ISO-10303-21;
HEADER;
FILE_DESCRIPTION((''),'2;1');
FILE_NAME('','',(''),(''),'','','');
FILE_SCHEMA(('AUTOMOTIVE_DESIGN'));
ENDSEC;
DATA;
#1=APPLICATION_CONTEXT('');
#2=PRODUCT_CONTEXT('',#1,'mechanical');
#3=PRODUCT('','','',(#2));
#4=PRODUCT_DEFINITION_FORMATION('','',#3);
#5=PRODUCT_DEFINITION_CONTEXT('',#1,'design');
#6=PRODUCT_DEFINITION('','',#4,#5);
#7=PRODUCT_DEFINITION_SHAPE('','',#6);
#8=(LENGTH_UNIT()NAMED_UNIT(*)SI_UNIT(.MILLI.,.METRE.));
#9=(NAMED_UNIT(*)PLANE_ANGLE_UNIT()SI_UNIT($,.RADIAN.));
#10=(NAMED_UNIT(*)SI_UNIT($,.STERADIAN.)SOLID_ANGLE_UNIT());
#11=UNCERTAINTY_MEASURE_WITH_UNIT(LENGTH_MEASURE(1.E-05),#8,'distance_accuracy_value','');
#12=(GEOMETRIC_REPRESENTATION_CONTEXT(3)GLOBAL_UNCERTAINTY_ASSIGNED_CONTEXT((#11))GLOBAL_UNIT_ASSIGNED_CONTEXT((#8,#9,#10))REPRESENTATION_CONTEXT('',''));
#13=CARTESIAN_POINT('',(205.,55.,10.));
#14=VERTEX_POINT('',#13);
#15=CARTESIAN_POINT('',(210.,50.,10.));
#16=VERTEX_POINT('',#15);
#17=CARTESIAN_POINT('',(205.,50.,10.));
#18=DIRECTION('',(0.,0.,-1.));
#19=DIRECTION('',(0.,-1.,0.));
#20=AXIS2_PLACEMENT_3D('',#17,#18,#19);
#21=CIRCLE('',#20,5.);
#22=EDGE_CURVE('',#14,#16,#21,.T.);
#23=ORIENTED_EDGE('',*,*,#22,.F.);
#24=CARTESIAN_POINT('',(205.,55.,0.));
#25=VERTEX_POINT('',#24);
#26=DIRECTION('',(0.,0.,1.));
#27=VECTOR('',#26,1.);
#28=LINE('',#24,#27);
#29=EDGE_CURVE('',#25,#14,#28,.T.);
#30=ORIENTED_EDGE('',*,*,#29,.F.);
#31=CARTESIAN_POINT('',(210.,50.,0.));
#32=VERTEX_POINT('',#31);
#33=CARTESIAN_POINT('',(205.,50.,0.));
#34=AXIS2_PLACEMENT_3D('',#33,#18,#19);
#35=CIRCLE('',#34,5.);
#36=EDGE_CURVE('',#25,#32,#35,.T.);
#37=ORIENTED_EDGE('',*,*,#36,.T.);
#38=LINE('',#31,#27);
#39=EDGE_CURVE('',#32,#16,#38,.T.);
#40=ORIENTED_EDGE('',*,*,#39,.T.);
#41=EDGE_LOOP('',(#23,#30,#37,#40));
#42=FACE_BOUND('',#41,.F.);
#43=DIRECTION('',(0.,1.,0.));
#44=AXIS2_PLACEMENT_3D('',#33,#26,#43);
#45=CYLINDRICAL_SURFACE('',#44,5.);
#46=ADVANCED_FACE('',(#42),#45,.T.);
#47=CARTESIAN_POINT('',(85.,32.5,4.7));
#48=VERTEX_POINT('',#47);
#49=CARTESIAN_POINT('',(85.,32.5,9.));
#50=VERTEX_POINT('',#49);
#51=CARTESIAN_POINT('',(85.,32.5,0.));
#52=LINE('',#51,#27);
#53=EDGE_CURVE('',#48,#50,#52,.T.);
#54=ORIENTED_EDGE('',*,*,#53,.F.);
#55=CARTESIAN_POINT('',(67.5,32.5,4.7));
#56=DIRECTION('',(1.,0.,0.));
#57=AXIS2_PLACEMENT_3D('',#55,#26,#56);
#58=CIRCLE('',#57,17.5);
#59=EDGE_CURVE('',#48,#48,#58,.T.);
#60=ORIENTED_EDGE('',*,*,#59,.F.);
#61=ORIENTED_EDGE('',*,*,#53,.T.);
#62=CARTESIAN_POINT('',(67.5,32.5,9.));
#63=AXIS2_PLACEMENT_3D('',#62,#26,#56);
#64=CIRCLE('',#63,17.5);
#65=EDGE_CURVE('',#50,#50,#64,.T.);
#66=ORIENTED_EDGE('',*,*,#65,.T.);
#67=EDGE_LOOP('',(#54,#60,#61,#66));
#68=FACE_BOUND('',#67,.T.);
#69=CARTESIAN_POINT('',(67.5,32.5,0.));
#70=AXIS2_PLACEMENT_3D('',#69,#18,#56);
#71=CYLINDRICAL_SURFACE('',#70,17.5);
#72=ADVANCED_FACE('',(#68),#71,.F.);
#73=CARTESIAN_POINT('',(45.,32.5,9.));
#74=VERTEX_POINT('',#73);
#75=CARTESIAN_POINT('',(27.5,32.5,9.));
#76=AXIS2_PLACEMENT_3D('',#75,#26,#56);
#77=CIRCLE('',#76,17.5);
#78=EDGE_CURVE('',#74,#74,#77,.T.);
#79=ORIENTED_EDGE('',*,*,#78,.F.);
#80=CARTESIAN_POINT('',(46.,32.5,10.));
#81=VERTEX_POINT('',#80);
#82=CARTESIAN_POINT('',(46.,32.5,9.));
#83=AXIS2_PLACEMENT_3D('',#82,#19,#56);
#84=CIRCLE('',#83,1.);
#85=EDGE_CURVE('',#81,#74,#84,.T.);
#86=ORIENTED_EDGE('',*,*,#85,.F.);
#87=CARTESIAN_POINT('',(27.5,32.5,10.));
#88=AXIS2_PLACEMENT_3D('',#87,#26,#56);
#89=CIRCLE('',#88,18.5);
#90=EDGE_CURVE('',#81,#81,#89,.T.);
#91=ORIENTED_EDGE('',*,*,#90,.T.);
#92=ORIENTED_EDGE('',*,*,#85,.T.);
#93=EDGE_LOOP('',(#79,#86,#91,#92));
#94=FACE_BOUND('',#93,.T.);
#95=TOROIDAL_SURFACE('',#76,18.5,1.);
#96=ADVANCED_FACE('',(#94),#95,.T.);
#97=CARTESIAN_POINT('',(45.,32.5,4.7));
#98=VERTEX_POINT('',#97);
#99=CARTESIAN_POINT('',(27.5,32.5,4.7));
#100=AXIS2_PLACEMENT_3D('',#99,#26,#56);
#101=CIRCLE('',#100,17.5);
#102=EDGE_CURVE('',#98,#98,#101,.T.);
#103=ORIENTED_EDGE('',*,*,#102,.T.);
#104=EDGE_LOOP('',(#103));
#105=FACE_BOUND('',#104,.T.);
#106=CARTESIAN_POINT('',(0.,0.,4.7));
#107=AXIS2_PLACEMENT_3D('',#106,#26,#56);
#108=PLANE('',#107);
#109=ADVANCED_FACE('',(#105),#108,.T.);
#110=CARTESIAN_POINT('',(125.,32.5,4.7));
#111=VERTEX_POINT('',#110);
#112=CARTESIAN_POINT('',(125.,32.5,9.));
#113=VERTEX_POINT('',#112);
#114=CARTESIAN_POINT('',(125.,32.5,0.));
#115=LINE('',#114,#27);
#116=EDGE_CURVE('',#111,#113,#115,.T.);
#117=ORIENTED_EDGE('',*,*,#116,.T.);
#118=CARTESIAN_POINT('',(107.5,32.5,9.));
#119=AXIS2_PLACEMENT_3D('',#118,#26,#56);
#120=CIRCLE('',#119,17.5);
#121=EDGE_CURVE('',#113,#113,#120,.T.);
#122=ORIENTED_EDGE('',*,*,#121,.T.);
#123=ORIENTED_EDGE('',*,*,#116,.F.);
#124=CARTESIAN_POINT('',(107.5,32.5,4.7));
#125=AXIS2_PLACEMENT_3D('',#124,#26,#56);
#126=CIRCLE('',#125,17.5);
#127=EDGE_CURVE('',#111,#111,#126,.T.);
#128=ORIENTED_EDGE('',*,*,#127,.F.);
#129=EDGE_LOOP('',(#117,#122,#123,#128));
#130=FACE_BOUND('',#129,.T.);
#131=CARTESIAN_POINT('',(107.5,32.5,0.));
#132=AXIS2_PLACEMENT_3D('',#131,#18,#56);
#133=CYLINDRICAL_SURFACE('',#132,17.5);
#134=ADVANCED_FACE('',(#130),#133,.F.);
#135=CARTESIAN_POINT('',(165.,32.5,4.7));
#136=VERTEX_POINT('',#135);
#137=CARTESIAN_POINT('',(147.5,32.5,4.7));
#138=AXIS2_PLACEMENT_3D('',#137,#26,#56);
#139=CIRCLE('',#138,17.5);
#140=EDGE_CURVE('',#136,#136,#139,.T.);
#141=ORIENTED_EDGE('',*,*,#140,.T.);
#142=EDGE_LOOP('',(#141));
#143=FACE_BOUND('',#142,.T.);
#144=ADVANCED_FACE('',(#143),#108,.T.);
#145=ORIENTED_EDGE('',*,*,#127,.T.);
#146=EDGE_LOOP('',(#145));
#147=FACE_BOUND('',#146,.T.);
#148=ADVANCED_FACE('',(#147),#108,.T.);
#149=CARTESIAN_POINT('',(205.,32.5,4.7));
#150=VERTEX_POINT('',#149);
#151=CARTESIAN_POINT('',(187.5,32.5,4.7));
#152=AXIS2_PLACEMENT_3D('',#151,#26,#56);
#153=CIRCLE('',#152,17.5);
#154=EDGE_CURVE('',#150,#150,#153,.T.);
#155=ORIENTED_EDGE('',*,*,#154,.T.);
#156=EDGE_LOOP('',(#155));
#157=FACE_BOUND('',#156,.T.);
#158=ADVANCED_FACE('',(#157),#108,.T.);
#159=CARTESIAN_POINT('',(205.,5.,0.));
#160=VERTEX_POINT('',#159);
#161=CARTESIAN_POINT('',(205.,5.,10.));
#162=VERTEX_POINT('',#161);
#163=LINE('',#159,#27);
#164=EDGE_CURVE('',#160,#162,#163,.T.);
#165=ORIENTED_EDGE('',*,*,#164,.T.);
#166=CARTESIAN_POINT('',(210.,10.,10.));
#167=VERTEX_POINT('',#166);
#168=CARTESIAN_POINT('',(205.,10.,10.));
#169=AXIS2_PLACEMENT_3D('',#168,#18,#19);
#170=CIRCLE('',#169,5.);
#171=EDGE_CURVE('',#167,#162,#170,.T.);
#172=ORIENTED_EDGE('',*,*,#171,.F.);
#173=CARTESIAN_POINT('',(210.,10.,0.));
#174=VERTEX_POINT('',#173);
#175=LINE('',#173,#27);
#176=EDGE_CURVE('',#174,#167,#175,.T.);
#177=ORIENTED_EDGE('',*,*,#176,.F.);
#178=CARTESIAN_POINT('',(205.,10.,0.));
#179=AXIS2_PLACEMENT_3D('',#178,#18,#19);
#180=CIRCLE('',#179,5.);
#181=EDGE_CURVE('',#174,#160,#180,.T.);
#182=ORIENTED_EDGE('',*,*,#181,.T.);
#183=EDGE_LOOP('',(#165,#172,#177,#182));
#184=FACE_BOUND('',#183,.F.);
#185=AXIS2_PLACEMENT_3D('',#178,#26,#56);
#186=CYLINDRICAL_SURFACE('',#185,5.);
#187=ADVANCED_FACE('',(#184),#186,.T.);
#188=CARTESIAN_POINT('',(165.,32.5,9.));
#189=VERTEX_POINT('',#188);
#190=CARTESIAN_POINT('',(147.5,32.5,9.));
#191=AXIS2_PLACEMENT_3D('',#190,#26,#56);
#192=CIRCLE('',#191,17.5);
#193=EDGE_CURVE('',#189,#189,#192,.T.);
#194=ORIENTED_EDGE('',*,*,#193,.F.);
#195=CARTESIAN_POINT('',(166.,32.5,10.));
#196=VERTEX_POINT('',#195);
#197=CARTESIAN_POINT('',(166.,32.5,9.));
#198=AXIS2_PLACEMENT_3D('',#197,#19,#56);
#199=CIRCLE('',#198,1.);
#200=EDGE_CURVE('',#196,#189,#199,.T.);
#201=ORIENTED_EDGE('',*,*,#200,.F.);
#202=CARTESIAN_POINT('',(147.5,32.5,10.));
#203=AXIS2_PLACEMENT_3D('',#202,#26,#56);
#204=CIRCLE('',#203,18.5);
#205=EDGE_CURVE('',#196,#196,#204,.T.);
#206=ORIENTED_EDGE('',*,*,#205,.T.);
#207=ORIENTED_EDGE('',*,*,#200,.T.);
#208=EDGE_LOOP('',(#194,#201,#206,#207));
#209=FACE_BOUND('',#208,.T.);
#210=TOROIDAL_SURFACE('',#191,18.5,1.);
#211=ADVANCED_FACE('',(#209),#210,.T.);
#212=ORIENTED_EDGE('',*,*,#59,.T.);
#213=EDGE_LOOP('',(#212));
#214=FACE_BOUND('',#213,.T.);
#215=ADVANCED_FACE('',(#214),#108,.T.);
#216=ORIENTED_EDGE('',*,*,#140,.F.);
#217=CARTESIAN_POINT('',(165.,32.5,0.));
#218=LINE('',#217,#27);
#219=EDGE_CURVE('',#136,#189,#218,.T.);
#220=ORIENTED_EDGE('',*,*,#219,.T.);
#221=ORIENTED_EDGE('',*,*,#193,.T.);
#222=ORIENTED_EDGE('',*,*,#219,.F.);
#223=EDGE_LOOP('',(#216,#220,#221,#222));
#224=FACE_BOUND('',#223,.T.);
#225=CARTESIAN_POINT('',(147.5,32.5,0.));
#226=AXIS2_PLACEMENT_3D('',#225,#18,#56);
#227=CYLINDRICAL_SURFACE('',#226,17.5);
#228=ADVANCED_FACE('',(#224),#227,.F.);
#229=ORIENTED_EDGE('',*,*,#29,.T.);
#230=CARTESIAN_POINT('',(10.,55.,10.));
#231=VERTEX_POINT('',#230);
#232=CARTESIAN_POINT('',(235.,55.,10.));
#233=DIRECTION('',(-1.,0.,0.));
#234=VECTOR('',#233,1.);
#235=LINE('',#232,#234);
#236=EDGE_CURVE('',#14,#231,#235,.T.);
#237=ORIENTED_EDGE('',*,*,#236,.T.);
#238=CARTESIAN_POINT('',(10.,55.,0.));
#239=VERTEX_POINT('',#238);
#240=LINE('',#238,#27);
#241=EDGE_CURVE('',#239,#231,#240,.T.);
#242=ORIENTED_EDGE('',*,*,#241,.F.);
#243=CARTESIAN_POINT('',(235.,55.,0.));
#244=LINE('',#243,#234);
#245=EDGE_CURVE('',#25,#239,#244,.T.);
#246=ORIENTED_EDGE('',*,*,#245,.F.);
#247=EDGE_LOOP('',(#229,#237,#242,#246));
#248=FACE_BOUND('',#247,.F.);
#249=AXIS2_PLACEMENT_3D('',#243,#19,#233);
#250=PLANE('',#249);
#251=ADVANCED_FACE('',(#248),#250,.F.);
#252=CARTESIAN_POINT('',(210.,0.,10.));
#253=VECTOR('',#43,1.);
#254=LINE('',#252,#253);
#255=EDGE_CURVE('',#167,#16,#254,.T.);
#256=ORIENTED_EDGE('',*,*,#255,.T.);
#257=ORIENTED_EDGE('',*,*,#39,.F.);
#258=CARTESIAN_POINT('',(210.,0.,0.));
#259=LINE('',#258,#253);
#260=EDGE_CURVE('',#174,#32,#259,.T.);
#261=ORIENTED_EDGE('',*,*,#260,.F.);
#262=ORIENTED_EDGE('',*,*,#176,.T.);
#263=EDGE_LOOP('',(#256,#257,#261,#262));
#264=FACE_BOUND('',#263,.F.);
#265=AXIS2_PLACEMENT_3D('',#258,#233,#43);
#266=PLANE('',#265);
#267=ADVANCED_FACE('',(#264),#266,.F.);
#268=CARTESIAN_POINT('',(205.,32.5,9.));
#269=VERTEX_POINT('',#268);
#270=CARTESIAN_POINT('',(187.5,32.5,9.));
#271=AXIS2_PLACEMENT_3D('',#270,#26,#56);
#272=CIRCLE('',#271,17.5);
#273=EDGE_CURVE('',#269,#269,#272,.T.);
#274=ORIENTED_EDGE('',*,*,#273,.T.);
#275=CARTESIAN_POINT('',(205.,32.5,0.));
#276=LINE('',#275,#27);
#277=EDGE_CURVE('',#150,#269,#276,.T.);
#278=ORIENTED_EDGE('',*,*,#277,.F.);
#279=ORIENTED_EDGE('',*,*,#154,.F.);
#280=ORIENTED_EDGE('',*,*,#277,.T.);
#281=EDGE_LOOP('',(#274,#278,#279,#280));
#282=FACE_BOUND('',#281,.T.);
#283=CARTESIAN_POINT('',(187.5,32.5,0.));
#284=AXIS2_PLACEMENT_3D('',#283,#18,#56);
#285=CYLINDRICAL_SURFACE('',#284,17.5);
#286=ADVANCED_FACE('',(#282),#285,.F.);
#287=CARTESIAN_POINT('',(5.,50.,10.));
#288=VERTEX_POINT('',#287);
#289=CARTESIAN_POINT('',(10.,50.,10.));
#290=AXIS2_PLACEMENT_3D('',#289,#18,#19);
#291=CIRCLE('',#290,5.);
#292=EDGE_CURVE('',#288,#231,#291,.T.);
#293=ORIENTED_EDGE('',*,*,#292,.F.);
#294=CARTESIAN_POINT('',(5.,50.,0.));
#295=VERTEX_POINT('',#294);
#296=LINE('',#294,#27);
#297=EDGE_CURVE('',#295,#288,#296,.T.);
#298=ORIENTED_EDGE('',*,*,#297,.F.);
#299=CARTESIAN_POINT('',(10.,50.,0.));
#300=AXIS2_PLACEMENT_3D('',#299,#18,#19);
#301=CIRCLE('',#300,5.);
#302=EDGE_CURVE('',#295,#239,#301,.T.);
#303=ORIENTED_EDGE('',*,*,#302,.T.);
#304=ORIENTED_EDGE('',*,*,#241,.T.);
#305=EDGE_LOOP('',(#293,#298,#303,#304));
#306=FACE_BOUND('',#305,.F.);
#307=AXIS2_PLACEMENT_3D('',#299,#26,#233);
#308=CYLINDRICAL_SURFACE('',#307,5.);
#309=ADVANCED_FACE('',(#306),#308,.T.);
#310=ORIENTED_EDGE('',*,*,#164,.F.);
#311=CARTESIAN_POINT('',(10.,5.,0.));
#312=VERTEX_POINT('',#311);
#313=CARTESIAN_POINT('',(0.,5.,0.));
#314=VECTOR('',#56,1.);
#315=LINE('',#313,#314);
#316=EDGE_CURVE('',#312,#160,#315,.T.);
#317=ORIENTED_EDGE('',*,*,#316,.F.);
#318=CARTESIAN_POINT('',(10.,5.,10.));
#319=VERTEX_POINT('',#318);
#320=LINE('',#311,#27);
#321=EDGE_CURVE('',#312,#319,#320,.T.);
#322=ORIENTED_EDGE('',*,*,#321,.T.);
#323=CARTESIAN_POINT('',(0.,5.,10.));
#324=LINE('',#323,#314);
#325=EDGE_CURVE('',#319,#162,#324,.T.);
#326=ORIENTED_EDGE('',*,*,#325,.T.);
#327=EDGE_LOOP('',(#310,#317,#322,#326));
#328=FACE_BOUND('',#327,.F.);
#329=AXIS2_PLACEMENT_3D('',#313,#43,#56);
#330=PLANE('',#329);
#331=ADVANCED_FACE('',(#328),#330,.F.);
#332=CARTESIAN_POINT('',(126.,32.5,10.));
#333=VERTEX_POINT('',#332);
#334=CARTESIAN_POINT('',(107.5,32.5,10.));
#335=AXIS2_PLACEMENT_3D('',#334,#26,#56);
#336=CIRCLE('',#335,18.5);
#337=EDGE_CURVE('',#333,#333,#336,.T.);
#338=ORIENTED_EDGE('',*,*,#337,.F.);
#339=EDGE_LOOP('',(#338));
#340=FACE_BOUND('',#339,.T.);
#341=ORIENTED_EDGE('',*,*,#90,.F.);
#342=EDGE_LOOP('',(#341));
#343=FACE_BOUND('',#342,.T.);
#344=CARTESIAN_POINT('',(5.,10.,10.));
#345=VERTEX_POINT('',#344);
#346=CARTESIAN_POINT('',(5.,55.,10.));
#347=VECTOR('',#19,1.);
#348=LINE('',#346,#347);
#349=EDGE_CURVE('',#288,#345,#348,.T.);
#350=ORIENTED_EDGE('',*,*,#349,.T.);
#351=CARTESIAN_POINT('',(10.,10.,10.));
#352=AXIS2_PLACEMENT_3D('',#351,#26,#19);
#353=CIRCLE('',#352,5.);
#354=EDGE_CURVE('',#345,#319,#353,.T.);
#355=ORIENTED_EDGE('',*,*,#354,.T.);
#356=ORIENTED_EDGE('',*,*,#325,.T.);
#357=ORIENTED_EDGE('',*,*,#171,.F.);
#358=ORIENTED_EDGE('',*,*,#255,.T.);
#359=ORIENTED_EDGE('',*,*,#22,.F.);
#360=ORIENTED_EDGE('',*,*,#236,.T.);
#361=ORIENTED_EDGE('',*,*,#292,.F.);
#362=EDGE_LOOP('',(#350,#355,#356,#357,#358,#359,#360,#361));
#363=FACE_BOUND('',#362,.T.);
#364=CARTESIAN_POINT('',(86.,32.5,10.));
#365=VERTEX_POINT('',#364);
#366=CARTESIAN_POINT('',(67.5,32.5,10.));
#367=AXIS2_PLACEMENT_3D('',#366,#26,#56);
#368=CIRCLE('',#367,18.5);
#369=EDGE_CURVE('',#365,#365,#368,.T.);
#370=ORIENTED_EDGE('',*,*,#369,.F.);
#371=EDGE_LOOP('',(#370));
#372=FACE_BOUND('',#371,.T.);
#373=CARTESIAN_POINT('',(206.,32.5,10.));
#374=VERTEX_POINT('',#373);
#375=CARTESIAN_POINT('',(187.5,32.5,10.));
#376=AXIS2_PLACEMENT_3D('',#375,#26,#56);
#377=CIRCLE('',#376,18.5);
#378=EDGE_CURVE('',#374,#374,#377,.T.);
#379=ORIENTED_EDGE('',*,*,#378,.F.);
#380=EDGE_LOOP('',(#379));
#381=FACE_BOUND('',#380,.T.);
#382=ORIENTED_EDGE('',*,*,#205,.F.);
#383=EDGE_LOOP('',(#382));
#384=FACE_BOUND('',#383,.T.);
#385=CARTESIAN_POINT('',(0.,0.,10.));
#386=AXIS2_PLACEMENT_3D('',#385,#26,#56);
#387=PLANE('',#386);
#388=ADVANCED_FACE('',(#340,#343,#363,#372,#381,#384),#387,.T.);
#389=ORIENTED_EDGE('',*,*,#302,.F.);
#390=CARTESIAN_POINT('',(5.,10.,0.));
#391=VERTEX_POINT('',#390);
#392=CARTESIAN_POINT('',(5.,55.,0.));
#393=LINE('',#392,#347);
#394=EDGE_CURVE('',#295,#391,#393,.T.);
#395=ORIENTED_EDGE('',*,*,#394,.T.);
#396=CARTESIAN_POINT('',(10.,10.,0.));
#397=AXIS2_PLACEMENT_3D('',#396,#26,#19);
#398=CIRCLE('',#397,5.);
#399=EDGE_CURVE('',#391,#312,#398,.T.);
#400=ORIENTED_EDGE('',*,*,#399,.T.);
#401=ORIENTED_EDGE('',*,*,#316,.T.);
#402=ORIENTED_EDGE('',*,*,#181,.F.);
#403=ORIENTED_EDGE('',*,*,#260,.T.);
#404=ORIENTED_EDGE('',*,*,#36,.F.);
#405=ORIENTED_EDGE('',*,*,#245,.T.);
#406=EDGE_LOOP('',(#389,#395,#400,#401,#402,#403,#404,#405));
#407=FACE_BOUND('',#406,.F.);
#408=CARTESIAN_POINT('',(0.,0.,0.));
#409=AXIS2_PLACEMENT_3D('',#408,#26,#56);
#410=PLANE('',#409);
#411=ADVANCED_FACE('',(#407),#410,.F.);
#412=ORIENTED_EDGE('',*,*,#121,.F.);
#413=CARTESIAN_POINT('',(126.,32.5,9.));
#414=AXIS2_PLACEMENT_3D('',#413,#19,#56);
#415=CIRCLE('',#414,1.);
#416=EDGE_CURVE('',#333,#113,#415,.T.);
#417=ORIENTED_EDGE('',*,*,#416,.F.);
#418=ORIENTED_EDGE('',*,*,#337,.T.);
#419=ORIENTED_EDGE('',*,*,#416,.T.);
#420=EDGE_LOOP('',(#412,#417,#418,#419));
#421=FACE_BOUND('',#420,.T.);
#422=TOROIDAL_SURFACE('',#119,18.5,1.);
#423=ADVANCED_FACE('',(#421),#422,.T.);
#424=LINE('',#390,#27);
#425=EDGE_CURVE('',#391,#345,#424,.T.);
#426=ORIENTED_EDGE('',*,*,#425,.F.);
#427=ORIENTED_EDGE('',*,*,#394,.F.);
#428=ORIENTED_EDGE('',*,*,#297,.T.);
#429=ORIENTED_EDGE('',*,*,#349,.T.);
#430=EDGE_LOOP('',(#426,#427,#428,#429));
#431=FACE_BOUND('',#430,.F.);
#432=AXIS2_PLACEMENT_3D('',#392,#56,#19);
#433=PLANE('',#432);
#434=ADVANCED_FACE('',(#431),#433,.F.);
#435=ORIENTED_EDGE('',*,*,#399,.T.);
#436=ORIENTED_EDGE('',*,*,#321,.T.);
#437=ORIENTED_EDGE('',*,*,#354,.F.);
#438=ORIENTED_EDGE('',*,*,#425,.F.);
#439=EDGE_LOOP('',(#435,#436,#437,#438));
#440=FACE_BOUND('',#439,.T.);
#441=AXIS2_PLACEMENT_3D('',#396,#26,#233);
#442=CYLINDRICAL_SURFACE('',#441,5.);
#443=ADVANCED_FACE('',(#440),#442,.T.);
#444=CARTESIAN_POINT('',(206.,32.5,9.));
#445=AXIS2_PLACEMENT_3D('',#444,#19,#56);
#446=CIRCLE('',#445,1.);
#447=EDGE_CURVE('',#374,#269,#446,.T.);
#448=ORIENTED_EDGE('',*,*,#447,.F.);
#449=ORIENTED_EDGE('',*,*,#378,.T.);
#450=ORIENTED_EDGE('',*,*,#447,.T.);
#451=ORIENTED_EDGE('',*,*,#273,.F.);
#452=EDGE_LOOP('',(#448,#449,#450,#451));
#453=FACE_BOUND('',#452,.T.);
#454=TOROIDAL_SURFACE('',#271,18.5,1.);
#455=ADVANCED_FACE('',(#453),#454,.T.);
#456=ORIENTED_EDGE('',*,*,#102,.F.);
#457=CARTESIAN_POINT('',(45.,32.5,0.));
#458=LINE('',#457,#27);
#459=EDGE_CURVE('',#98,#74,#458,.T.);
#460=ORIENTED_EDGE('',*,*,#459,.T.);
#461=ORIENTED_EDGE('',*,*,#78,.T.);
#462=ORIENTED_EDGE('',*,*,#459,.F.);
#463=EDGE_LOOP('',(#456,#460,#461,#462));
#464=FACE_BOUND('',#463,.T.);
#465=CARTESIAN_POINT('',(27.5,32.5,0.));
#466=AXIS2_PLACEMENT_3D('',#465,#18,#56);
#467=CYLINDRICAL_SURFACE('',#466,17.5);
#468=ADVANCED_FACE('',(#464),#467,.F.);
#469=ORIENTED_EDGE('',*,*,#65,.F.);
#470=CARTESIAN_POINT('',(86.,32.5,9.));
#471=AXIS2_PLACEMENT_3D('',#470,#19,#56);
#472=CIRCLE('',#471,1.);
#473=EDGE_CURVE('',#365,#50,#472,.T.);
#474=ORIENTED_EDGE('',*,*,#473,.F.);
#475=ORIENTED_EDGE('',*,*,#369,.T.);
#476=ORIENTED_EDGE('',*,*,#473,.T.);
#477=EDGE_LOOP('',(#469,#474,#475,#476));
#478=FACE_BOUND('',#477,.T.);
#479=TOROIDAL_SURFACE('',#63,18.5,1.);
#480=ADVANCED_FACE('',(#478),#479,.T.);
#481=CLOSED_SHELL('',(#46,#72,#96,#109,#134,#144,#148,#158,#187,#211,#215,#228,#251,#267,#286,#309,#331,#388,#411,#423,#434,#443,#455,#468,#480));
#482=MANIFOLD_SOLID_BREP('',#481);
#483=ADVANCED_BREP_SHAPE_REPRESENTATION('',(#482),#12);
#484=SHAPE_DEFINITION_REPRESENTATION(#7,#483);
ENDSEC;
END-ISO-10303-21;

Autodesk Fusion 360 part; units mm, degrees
sketch "Sketch1" plane through (0, 0, 0) normal (0, 0, 1) x (1, 0, 0)
  line L0 (0, 0) -> (235, 0)
  line L1 (235, 0) -> (235, 55)
  line L2 (235, 55) -> (0, 55)
  line L3 (0, 55) -> (0, 0)
  circle A0 centre (27.5, 32.5) radius 17.5
  circle A1 centre (67.5, 32.5) radius 17.5
  circle A2 centre (107.5, 32.5) radius 17.5
  circle A3 centre (147.5, 32.5) radius 17.5
  circle A4 centre (187.5, 32.5) radius 17.5
  dimension "d1" = 235
  dimension "d2" = 55
  dimension "d9" = 35
  dimension "d10" = 35
  dimension "d11" = 35
  dimension "d12" = 35
  dimension "d13" = 35
extrude "Extrude1" add sketch "Sketch1" along normal blind 10
extrude "Extrude2" add sketch "Sketch1" along normal blind 4.7 contours A0 | A1 | A2 | A3 | A4
extrude "Extrude3" cut 1 faces at (235, 18.3333, 3.3333) along direction (-1, 0, 0) blind 20
extrude "Extrude4" cut 1 faces at (215, 18.3333, 3.3333) along direction (-1, 0, 0) blind 5
extrude "Extrude5" cut 1 faces at (0, 36.6667, 3.3333) along direction (1, 0, 0) blind 5
extrude "Extrude6" cut 1 faces at (73.3333, 0, 3.3333) along direction (0, 1, 0) blind 5
fillet "Fillet3" radius 1 5 edges at (11.1843, 38.8283, 10) (51.1843, 38.8283, 10) (91.1843, 38.8283, 10) (131.1843, 38.8283, 10) (171.1843, 38.8283, 10)
fillet "Fillet4" radius 5 4 edges at (210, 5, 5) (5, 5, 5) (5, 55, 5) (210, 55, 5)
